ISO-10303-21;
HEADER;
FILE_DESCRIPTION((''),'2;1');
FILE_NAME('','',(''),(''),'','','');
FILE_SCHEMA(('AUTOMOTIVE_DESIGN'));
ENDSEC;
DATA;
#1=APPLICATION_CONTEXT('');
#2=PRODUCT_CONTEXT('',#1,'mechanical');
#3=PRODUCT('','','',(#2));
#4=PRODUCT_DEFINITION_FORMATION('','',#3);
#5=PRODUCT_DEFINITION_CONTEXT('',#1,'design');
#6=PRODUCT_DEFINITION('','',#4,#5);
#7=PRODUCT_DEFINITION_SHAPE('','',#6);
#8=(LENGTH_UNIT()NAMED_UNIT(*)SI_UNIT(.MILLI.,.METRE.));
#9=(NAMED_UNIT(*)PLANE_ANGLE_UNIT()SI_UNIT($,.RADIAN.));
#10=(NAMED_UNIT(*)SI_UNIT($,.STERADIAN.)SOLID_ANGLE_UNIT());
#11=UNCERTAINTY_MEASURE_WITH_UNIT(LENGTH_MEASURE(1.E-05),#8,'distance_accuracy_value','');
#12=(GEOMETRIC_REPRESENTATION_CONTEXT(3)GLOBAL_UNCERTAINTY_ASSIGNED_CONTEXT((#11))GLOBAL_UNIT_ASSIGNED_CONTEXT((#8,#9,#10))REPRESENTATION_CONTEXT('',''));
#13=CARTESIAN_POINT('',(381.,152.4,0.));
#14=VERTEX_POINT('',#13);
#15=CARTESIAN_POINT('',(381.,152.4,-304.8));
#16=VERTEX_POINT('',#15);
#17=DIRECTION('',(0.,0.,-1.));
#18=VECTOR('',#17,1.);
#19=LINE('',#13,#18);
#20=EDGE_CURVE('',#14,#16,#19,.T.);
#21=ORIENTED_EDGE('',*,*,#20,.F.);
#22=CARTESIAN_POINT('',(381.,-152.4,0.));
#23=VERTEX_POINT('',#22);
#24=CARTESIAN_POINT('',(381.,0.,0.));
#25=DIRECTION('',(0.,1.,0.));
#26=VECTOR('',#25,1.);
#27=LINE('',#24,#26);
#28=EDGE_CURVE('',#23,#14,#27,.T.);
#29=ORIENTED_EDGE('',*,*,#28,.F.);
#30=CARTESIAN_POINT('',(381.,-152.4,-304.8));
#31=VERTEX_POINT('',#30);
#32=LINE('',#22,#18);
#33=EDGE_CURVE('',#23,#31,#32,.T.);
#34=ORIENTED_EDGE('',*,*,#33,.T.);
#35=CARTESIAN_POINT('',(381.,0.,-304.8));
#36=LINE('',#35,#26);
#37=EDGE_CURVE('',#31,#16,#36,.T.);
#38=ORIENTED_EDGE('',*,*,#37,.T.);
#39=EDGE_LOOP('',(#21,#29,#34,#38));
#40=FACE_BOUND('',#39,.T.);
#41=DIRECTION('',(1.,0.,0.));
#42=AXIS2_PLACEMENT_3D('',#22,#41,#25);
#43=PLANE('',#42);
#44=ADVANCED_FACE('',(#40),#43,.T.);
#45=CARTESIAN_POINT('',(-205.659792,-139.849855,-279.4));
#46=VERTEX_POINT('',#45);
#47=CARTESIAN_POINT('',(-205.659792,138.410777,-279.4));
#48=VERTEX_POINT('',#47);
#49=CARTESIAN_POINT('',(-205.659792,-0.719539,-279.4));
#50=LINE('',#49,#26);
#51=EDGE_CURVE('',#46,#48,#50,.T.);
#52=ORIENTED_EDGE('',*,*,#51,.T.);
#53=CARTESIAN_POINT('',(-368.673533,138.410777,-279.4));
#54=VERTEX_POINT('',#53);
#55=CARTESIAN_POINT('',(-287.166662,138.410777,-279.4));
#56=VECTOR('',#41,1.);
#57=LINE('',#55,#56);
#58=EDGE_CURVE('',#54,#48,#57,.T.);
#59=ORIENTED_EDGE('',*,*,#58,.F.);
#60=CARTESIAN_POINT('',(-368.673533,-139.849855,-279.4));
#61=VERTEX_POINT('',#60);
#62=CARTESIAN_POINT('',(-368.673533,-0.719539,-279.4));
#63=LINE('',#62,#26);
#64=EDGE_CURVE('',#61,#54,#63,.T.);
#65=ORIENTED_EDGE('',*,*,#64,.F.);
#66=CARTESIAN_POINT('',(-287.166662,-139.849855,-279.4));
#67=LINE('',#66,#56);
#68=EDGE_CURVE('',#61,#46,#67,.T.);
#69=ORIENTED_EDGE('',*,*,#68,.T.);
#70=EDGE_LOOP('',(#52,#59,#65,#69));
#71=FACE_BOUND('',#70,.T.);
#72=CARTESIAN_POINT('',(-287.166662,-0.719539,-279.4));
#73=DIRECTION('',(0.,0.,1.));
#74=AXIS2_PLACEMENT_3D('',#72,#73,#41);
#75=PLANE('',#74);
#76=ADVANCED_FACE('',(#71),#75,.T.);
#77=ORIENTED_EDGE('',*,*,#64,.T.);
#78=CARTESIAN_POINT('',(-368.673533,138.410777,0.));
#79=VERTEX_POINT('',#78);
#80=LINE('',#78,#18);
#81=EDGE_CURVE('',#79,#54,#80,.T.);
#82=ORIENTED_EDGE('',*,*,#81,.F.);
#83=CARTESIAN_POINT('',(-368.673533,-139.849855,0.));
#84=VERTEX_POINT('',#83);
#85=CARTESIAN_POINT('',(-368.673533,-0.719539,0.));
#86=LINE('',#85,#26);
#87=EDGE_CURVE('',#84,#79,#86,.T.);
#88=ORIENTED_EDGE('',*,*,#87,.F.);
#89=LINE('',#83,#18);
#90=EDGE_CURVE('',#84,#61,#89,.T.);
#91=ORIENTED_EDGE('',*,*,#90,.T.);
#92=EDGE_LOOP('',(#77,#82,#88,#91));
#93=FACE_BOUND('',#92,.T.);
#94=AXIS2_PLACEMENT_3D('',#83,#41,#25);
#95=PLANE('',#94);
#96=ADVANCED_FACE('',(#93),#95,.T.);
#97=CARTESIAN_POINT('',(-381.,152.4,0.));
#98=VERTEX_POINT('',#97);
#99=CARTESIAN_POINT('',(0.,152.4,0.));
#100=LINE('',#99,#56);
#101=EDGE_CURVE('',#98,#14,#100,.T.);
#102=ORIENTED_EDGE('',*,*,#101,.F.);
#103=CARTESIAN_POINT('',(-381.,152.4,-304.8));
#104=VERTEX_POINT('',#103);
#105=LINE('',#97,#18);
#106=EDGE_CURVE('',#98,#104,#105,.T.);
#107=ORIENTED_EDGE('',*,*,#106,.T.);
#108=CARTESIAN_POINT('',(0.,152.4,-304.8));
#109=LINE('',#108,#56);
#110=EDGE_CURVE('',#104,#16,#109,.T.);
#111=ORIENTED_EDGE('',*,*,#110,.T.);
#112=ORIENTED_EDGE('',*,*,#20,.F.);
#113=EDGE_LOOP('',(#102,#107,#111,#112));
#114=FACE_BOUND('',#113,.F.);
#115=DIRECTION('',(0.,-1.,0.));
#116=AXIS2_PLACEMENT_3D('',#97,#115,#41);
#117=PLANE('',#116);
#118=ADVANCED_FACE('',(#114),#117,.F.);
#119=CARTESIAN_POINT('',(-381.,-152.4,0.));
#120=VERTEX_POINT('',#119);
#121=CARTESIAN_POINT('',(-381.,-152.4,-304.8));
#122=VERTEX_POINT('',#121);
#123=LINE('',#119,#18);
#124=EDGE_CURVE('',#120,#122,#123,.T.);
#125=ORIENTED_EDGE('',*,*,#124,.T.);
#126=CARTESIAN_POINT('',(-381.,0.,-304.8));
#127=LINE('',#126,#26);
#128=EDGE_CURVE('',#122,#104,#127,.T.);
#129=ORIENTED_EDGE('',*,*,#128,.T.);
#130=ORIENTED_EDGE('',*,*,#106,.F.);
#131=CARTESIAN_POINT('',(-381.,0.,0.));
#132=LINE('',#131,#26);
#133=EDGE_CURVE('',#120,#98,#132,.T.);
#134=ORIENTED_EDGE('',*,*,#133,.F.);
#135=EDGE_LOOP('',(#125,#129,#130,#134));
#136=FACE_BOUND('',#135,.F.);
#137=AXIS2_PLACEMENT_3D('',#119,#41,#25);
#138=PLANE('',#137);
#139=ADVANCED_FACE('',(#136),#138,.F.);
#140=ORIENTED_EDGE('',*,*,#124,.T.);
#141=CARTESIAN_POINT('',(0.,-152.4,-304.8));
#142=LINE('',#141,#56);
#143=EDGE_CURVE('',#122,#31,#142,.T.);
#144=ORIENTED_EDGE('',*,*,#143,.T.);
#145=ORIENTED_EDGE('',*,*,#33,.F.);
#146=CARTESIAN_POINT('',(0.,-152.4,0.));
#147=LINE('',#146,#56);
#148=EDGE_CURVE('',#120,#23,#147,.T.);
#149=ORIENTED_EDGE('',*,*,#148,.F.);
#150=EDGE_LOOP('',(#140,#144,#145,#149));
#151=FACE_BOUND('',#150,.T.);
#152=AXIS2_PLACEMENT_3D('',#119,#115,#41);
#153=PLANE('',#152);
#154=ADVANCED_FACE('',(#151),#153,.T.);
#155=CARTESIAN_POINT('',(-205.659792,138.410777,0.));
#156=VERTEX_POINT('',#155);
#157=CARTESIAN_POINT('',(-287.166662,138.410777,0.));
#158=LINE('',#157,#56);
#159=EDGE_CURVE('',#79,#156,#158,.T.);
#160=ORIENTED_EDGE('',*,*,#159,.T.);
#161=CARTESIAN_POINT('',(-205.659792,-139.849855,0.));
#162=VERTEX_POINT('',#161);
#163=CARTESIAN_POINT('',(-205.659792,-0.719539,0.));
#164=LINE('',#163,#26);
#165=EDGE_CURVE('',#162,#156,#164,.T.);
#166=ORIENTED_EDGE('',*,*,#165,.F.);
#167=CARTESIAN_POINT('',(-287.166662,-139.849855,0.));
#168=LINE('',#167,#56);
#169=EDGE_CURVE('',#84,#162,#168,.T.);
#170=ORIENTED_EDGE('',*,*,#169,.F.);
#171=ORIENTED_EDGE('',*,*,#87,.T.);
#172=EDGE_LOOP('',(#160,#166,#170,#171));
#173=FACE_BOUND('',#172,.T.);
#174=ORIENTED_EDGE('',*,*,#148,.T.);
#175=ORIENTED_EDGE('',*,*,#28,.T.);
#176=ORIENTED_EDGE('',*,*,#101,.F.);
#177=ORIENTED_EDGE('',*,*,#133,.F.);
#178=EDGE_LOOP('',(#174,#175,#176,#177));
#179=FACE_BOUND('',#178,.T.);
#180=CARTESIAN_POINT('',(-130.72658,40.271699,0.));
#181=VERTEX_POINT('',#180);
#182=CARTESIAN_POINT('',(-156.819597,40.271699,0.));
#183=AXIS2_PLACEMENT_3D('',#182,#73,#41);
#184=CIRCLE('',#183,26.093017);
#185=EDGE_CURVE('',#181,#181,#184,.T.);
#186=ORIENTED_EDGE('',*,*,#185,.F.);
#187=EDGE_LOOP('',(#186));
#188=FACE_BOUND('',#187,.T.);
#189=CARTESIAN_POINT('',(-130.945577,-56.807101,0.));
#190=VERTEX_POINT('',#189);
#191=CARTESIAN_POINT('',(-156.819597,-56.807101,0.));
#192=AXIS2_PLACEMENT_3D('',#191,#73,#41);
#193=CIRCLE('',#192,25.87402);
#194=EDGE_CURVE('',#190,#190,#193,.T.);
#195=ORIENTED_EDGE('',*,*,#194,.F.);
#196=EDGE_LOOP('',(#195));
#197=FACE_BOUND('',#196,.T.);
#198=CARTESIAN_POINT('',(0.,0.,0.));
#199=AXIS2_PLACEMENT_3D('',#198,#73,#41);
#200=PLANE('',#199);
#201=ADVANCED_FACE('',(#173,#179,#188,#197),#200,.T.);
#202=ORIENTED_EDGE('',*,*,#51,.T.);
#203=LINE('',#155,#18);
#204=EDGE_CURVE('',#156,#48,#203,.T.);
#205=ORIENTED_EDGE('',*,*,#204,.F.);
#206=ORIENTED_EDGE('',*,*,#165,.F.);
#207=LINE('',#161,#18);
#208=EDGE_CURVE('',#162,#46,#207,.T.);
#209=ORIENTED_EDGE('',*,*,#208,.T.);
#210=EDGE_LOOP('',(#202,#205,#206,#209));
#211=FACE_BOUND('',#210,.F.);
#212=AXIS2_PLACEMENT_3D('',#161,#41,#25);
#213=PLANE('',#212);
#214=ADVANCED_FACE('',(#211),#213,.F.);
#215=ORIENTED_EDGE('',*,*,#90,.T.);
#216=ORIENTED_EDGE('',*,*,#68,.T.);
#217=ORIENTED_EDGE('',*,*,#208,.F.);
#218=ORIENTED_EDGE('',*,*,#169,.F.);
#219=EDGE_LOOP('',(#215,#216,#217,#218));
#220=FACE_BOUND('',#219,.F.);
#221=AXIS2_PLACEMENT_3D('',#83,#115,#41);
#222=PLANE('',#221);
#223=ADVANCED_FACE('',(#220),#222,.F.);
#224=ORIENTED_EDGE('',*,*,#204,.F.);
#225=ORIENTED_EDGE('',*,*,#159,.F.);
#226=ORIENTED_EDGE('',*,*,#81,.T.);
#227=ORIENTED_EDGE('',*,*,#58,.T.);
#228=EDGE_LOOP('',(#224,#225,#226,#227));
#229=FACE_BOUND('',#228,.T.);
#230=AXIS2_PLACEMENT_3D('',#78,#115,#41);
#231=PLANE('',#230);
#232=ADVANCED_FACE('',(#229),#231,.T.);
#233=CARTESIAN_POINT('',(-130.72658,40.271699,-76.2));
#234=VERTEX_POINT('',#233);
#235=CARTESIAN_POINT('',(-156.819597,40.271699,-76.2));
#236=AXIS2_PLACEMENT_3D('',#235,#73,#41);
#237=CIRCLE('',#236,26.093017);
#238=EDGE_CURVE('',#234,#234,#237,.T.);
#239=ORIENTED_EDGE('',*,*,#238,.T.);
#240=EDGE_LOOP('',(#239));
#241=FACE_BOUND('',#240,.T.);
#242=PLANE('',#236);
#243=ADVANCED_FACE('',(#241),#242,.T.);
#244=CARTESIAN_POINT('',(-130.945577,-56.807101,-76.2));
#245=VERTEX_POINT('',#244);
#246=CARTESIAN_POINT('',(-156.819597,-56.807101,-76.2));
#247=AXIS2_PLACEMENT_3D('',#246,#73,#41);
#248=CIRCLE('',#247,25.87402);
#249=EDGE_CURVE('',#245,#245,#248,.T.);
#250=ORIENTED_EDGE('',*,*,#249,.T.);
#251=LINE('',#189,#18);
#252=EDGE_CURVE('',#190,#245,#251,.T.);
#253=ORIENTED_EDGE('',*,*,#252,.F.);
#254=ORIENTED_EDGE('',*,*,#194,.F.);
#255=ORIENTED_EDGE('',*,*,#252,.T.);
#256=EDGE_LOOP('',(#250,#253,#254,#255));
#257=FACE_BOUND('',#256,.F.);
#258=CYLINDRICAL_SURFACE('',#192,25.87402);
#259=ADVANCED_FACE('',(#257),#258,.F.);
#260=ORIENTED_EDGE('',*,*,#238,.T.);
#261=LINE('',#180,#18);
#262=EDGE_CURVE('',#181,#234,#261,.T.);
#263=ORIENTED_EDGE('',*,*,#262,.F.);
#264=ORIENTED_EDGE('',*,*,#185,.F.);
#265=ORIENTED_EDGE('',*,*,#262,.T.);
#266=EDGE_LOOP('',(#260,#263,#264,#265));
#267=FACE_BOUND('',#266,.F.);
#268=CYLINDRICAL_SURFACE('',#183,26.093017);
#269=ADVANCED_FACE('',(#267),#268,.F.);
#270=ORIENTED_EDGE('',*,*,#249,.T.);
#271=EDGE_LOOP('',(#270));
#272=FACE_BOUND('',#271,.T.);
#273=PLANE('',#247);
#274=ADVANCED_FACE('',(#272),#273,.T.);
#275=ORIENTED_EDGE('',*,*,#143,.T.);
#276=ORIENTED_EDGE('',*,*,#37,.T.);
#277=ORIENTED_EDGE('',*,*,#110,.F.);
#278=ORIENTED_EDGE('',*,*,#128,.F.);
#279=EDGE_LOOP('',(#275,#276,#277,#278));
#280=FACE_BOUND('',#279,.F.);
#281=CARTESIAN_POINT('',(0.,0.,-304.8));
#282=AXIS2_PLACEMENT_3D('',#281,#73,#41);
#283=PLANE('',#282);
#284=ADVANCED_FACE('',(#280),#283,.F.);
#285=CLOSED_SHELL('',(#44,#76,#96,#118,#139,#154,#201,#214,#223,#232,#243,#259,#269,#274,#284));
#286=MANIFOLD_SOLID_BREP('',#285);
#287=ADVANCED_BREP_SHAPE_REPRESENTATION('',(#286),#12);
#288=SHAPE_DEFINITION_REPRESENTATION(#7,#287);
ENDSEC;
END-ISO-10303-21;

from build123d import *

# Parameters (mm, degrees)
F0_W     = 762
F0_H     = 304.8
F1_DEPTH = 304.8
F2_W     = 163.013741
F2_H     = 278.260633
F3_DEPTH = 279.4
F4_R     = 26.093017
F4_R_2   = 25.87402
F5_DEPTH = 76.2


with BuildPart() as f1:
    # F0 (on Top) → F1 (new body)
    with BuildSketch(Plane.XY):
        Rectangle(F0_W, F0_H)
    extrude(amount=-F1_DEPTH)

    # F2 (on face) → F3 (cut)
    with BuildSketch(Plane.XY):
        with Locations((-287.166662, -0.719539)):
            Rectangle(F2_W, F2_H)
    extrude(amount=-F3_DEPTH, mode=Mode.SUBTRACT)

    # F4 (on face) → F5 (cut)
    with BuildSketch(Plane.XY):
        with Locations((-156.819597, 40.271699)):
            Circle(F4_R)
        with Locations((-156.819597, -56.807101)):
            Circle(F4_R_2)
    extrude(amount=-F5_DEPTH, mode=Mode.SUBTRACT)


solid = f1.part
